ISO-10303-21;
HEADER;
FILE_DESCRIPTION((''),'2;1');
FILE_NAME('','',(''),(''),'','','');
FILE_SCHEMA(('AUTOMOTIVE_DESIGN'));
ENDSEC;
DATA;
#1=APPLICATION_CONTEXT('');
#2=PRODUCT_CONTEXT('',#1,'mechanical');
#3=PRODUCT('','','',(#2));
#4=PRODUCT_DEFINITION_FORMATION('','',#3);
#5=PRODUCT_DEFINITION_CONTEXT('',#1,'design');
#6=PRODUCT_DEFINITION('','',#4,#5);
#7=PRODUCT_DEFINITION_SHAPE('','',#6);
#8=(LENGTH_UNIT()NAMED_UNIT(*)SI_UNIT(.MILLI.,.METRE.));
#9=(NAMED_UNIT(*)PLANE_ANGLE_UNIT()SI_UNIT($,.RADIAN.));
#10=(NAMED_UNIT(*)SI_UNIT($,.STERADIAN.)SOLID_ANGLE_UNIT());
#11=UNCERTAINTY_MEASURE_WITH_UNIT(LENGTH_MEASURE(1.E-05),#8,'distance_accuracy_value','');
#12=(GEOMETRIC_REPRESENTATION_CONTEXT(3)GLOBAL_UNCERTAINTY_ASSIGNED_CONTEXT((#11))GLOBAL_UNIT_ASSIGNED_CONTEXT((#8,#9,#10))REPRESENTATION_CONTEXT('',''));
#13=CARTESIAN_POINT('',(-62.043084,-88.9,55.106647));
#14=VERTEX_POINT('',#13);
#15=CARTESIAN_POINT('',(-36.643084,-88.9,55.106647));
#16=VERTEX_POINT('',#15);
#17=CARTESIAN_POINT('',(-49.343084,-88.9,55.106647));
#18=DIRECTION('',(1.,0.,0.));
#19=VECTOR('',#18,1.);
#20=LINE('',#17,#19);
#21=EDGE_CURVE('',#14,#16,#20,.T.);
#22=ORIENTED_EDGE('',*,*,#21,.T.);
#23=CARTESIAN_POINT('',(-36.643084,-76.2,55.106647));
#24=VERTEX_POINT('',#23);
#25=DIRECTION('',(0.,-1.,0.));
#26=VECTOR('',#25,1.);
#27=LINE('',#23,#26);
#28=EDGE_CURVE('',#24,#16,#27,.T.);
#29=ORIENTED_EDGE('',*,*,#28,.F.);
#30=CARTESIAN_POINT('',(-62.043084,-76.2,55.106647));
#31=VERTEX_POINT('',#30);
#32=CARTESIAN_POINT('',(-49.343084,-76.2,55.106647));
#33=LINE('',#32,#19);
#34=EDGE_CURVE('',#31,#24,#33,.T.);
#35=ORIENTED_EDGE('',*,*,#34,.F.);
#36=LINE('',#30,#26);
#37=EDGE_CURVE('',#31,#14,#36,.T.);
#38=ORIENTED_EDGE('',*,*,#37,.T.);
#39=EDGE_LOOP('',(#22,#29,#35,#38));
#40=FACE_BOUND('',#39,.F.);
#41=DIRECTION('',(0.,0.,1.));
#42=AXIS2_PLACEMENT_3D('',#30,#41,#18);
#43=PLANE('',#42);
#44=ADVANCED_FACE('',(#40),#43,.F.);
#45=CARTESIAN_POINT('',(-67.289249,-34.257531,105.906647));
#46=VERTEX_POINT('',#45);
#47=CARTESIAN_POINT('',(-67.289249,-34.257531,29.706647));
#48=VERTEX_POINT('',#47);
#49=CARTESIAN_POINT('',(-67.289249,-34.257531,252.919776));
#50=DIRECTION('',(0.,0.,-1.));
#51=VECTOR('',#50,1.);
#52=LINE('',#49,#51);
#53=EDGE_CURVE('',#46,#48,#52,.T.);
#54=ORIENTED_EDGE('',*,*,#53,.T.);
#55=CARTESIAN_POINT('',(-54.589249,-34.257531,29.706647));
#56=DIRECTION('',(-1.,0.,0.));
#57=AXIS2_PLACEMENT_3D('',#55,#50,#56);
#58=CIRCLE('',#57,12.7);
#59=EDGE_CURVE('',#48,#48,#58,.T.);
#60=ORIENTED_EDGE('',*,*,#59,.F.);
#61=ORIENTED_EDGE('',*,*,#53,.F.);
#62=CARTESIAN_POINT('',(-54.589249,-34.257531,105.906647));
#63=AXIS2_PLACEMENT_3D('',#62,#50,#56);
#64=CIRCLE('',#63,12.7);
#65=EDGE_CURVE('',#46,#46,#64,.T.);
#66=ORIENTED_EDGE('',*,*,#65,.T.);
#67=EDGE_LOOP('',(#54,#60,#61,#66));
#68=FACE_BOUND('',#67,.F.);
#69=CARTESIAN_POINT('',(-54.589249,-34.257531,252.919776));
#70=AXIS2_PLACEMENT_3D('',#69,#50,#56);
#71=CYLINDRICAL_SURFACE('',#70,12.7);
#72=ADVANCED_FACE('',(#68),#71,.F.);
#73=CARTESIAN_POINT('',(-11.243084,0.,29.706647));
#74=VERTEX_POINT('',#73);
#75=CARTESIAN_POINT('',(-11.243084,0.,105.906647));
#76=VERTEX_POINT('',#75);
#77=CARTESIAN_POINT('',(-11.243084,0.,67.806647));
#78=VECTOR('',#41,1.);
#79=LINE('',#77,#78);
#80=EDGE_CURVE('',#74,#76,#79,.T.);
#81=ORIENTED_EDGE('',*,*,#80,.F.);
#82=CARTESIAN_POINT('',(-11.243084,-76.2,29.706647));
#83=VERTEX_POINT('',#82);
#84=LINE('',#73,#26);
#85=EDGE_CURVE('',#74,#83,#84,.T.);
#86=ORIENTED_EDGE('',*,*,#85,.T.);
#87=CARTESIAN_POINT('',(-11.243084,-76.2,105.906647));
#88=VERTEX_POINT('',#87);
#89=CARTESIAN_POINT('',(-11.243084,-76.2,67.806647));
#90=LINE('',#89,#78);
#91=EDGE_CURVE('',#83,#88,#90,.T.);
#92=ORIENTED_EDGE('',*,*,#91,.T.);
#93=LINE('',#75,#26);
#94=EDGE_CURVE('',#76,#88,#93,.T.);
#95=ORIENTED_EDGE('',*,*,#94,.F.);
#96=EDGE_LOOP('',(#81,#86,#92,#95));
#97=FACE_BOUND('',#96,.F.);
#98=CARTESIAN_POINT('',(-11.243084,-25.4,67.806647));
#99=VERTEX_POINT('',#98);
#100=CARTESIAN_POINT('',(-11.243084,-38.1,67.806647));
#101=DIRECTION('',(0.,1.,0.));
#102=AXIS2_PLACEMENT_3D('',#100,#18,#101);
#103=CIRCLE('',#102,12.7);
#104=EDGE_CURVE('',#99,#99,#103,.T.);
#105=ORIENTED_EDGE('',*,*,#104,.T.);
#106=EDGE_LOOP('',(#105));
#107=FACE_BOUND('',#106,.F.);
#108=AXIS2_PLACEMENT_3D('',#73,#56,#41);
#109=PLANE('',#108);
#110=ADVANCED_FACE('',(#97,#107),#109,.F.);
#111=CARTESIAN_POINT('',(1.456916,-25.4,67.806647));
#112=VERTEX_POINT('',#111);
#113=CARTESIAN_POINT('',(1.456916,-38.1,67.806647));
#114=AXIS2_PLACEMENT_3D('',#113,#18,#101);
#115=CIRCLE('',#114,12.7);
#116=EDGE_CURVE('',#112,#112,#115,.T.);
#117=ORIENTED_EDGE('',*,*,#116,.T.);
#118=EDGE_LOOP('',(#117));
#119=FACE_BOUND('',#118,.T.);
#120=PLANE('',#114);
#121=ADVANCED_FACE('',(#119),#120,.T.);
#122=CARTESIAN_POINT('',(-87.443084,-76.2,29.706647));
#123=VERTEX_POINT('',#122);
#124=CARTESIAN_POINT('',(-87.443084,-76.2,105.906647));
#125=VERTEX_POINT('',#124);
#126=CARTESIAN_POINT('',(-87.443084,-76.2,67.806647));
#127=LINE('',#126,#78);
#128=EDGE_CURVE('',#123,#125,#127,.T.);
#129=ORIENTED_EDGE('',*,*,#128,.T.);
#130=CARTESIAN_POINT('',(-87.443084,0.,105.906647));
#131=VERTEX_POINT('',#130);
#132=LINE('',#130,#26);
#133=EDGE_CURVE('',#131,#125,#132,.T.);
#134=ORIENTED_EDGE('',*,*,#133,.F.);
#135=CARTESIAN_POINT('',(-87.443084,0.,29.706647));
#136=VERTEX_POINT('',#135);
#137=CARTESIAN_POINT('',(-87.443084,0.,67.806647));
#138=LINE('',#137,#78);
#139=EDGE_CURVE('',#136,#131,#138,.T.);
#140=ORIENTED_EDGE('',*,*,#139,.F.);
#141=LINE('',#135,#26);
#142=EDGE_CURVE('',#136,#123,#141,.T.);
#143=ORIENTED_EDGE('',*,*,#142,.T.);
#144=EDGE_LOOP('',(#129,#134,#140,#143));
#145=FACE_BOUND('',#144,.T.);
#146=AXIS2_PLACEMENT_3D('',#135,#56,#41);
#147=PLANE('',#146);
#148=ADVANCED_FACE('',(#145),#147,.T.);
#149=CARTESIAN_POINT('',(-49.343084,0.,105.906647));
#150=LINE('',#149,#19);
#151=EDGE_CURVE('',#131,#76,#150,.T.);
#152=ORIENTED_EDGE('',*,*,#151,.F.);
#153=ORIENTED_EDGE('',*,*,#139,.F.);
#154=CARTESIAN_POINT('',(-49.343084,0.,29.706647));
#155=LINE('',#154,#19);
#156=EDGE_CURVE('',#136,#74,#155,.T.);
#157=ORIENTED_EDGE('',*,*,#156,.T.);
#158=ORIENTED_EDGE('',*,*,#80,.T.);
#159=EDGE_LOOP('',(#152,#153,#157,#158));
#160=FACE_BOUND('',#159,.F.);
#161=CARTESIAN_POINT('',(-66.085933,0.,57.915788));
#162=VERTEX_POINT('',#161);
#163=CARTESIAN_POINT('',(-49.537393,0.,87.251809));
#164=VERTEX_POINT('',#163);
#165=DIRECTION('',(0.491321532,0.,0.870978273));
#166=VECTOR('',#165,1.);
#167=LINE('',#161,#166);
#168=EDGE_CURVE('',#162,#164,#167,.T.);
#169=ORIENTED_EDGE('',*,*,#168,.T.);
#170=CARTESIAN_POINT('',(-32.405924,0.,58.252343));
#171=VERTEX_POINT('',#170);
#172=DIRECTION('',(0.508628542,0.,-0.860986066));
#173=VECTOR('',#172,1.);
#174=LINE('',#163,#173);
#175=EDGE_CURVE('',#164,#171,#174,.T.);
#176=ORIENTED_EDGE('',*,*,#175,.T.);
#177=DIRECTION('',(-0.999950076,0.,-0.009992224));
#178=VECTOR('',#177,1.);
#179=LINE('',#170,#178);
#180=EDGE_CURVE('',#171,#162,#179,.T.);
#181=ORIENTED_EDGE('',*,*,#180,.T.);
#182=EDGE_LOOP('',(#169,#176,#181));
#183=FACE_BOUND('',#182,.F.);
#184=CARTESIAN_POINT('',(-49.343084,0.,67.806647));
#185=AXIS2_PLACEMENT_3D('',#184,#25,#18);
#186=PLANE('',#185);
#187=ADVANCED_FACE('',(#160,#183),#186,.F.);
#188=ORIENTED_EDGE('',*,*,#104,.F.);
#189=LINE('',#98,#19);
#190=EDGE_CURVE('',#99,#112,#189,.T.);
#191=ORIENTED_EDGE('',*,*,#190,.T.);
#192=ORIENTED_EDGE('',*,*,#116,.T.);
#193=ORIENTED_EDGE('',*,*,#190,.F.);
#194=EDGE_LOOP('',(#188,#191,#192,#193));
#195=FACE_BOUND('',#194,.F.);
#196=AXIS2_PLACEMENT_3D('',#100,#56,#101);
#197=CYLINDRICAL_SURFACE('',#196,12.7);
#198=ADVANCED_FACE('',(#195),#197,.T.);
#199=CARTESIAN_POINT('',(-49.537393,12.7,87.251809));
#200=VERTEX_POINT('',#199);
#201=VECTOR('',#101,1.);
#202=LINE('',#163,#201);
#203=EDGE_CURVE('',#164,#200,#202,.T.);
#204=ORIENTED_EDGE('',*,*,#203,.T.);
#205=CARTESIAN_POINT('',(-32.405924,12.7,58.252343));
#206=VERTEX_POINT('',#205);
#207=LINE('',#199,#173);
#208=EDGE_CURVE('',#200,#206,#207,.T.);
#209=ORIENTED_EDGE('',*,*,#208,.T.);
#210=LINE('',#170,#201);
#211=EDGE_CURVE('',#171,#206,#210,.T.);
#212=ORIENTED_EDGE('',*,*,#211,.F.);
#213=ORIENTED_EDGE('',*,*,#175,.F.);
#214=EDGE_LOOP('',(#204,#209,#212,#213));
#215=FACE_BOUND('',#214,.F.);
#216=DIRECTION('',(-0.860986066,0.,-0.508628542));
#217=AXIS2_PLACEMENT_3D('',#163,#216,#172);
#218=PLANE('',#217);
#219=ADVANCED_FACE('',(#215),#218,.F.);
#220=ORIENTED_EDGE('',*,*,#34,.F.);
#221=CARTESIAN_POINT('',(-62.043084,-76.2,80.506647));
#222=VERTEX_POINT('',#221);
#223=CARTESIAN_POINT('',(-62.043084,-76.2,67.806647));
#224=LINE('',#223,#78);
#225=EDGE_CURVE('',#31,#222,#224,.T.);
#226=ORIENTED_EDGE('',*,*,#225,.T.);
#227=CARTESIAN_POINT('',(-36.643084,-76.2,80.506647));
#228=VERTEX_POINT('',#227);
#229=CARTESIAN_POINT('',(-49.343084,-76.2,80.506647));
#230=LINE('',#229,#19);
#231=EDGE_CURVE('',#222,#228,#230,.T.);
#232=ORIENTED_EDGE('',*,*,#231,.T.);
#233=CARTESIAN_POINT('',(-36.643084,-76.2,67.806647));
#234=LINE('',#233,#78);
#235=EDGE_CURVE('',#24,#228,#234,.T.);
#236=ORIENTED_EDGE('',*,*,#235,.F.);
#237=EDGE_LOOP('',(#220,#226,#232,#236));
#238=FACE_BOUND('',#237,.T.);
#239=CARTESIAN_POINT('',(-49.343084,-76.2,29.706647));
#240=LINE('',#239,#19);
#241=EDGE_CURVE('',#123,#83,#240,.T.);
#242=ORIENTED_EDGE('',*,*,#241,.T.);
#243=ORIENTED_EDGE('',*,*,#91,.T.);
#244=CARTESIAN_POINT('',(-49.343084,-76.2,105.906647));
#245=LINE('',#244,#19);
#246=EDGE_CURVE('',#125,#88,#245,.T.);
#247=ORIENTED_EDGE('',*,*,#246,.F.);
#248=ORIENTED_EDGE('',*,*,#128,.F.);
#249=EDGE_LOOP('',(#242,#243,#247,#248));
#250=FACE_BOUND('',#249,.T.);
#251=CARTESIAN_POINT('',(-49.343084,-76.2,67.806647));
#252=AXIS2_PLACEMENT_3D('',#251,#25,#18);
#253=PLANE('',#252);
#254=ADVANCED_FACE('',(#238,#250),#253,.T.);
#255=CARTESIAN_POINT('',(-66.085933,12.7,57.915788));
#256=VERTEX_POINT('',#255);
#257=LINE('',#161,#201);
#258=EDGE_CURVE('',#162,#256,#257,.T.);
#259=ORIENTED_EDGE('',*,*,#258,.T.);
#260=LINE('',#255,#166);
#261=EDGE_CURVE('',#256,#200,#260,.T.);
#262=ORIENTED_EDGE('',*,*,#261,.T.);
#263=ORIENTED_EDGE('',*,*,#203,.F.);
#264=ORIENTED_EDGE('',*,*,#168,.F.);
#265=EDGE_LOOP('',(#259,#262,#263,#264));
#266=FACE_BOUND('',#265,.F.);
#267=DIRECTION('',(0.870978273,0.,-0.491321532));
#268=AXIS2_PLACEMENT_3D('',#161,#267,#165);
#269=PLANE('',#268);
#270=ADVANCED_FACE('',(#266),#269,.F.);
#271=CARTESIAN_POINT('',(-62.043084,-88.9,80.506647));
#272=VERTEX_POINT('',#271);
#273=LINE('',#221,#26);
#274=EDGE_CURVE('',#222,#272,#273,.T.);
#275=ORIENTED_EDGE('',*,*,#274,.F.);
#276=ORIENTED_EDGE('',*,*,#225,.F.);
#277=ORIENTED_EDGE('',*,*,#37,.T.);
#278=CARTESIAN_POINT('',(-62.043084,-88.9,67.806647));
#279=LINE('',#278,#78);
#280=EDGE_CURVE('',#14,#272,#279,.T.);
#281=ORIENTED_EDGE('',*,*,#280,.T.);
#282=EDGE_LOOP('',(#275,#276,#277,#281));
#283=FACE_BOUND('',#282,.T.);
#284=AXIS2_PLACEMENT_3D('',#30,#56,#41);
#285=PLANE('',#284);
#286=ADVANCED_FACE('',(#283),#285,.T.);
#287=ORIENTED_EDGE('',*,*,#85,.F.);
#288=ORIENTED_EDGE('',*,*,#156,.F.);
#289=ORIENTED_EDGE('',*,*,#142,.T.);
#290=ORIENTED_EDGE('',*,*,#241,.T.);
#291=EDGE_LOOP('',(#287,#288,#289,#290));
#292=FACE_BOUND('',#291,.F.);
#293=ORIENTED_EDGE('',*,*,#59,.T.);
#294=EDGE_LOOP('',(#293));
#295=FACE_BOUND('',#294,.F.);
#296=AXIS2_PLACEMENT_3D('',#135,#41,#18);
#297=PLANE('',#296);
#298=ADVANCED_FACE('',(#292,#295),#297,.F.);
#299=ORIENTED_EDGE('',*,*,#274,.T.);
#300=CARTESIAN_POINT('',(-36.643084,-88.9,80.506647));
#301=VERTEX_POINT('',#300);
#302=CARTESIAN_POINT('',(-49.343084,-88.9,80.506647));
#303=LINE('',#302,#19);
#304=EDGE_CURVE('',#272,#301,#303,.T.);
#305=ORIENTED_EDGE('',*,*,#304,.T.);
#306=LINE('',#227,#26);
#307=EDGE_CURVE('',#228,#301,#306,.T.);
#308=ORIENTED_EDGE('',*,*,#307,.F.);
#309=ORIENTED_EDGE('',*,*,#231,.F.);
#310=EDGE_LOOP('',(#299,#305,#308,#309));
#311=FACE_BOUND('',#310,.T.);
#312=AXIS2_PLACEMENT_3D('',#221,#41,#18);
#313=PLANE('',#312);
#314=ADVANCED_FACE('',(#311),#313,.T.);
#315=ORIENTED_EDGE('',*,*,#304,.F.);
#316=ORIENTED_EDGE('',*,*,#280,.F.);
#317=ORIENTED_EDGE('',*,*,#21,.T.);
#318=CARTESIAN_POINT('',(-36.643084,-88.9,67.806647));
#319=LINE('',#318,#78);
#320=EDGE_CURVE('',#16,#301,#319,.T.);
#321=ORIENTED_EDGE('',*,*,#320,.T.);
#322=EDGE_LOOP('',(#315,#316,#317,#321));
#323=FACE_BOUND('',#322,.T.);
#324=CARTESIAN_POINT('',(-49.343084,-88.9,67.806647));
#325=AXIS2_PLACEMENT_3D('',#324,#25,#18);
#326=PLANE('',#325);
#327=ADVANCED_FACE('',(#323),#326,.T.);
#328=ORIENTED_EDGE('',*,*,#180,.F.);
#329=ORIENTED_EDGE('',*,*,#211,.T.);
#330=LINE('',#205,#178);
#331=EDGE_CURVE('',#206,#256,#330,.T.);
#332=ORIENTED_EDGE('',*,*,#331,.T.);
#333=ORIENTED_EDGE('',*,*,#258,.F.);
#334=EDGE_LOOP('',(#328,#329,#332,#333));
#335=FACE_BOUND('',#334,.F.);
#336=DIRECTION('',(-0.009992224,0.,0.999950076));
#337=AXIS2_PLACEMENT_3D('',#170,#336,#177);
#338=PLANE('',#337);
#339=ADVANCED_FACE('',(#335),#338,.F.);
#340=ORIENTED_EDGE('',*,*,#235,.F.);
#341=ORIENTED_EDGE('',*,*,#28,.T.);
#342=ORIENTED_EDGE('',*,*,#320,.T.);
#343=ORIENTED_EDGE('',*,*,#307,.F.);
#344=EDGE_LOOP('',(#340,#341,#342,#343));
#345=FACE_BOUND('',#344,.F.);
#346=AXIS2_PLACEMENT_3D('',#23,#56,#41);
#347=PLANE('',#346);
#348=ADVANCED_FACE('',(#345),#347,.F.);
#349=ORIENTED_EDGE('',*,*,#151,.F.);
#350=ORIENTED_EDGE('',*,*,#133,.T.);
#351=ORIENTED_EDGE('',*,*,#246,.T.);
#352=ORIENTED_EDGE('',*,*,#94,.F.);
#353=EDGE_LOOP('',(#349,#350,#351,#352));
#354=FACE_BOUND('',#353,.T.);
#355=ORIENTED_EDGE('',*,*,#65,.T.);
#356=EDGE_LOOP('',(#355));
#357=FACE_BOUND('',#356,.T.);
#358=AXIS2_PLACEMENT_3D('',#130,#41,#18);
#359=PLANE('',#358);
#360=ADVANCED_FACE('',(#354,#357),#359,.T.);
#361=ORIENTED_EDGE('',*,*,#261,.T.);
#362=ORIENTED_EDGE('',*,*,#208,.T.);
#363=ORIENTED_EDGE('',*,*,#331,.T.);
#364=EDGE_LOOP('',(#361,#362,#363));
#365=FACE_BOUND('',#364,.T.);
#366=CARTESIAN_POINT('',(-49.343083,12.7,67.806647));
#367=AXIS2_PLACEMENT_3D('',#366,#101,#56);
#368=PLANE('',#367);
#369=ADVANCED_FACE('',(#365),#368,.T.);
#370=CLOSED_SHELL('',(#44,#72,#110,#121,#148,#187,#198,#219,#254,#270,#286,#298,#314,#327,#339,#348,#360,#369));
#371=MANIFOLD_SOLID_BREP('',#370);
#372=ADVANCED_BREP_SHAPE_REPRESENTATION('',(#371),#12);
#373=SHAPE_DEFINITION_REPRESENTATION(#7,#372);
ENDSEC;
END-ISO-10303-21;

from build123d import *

# Parameters (mm, degrees)
F0_W     = 76.2
F0_H     = 76.2
F1_DEPTH = 76.2
F2_R     = 12.7
F3_DEPTH = 12.7
F4_W     = 25.4
F4_H     = 25.4
F5_DEPTH = 12.7
F7_D     = 25.4
F9_DEPTH = 12.7


with BuildPart() as f1:
    # F0 (on Front) → F1 (new body)
    with BuildSketch(Plane.XZ):
        with Locations((-49.343084, 67.806647)):
            Rectangle(F0_W, F0_H)
    extrude(amount=F1_DEPTH)

    # F2 (on face) → F3 (join)
    with BuildSketch(Plane.YZ.offset(-11.243084)):
        with Locations((-38.1, 67.806647)):
            Circle(F2_R)
    extrude(amount=F3_DEPTH)

    # F4 (on face) → F5 (join)
    with BuildSketch(Plane.XZ.offset(76.2)):
        with Locations((-49.343084, 67.806647)):
            Rectangle(F4_W, F4_H)
    extrude(amount=F5_DEPTH)

    # F7 (through all)
    with Locations(Plane.XY.offset(105.906647)):
        with Locations((-54.589249, -34.257531)):
            Hole(F7_D / 2)

    # F8 (on face) → F9 (join)
    with BuildSketch(Plane(origin=(0, 0, 0), x_dir=(-1, 0, 0), z_dir=(0, 1, 0))):
        Polygon((66.085933, 57.915788), (49.537393, 87.251809), (32.405924, 58.252343), align=None)
    extrude(amount=F9_DEPTH)


solid = f1.part
